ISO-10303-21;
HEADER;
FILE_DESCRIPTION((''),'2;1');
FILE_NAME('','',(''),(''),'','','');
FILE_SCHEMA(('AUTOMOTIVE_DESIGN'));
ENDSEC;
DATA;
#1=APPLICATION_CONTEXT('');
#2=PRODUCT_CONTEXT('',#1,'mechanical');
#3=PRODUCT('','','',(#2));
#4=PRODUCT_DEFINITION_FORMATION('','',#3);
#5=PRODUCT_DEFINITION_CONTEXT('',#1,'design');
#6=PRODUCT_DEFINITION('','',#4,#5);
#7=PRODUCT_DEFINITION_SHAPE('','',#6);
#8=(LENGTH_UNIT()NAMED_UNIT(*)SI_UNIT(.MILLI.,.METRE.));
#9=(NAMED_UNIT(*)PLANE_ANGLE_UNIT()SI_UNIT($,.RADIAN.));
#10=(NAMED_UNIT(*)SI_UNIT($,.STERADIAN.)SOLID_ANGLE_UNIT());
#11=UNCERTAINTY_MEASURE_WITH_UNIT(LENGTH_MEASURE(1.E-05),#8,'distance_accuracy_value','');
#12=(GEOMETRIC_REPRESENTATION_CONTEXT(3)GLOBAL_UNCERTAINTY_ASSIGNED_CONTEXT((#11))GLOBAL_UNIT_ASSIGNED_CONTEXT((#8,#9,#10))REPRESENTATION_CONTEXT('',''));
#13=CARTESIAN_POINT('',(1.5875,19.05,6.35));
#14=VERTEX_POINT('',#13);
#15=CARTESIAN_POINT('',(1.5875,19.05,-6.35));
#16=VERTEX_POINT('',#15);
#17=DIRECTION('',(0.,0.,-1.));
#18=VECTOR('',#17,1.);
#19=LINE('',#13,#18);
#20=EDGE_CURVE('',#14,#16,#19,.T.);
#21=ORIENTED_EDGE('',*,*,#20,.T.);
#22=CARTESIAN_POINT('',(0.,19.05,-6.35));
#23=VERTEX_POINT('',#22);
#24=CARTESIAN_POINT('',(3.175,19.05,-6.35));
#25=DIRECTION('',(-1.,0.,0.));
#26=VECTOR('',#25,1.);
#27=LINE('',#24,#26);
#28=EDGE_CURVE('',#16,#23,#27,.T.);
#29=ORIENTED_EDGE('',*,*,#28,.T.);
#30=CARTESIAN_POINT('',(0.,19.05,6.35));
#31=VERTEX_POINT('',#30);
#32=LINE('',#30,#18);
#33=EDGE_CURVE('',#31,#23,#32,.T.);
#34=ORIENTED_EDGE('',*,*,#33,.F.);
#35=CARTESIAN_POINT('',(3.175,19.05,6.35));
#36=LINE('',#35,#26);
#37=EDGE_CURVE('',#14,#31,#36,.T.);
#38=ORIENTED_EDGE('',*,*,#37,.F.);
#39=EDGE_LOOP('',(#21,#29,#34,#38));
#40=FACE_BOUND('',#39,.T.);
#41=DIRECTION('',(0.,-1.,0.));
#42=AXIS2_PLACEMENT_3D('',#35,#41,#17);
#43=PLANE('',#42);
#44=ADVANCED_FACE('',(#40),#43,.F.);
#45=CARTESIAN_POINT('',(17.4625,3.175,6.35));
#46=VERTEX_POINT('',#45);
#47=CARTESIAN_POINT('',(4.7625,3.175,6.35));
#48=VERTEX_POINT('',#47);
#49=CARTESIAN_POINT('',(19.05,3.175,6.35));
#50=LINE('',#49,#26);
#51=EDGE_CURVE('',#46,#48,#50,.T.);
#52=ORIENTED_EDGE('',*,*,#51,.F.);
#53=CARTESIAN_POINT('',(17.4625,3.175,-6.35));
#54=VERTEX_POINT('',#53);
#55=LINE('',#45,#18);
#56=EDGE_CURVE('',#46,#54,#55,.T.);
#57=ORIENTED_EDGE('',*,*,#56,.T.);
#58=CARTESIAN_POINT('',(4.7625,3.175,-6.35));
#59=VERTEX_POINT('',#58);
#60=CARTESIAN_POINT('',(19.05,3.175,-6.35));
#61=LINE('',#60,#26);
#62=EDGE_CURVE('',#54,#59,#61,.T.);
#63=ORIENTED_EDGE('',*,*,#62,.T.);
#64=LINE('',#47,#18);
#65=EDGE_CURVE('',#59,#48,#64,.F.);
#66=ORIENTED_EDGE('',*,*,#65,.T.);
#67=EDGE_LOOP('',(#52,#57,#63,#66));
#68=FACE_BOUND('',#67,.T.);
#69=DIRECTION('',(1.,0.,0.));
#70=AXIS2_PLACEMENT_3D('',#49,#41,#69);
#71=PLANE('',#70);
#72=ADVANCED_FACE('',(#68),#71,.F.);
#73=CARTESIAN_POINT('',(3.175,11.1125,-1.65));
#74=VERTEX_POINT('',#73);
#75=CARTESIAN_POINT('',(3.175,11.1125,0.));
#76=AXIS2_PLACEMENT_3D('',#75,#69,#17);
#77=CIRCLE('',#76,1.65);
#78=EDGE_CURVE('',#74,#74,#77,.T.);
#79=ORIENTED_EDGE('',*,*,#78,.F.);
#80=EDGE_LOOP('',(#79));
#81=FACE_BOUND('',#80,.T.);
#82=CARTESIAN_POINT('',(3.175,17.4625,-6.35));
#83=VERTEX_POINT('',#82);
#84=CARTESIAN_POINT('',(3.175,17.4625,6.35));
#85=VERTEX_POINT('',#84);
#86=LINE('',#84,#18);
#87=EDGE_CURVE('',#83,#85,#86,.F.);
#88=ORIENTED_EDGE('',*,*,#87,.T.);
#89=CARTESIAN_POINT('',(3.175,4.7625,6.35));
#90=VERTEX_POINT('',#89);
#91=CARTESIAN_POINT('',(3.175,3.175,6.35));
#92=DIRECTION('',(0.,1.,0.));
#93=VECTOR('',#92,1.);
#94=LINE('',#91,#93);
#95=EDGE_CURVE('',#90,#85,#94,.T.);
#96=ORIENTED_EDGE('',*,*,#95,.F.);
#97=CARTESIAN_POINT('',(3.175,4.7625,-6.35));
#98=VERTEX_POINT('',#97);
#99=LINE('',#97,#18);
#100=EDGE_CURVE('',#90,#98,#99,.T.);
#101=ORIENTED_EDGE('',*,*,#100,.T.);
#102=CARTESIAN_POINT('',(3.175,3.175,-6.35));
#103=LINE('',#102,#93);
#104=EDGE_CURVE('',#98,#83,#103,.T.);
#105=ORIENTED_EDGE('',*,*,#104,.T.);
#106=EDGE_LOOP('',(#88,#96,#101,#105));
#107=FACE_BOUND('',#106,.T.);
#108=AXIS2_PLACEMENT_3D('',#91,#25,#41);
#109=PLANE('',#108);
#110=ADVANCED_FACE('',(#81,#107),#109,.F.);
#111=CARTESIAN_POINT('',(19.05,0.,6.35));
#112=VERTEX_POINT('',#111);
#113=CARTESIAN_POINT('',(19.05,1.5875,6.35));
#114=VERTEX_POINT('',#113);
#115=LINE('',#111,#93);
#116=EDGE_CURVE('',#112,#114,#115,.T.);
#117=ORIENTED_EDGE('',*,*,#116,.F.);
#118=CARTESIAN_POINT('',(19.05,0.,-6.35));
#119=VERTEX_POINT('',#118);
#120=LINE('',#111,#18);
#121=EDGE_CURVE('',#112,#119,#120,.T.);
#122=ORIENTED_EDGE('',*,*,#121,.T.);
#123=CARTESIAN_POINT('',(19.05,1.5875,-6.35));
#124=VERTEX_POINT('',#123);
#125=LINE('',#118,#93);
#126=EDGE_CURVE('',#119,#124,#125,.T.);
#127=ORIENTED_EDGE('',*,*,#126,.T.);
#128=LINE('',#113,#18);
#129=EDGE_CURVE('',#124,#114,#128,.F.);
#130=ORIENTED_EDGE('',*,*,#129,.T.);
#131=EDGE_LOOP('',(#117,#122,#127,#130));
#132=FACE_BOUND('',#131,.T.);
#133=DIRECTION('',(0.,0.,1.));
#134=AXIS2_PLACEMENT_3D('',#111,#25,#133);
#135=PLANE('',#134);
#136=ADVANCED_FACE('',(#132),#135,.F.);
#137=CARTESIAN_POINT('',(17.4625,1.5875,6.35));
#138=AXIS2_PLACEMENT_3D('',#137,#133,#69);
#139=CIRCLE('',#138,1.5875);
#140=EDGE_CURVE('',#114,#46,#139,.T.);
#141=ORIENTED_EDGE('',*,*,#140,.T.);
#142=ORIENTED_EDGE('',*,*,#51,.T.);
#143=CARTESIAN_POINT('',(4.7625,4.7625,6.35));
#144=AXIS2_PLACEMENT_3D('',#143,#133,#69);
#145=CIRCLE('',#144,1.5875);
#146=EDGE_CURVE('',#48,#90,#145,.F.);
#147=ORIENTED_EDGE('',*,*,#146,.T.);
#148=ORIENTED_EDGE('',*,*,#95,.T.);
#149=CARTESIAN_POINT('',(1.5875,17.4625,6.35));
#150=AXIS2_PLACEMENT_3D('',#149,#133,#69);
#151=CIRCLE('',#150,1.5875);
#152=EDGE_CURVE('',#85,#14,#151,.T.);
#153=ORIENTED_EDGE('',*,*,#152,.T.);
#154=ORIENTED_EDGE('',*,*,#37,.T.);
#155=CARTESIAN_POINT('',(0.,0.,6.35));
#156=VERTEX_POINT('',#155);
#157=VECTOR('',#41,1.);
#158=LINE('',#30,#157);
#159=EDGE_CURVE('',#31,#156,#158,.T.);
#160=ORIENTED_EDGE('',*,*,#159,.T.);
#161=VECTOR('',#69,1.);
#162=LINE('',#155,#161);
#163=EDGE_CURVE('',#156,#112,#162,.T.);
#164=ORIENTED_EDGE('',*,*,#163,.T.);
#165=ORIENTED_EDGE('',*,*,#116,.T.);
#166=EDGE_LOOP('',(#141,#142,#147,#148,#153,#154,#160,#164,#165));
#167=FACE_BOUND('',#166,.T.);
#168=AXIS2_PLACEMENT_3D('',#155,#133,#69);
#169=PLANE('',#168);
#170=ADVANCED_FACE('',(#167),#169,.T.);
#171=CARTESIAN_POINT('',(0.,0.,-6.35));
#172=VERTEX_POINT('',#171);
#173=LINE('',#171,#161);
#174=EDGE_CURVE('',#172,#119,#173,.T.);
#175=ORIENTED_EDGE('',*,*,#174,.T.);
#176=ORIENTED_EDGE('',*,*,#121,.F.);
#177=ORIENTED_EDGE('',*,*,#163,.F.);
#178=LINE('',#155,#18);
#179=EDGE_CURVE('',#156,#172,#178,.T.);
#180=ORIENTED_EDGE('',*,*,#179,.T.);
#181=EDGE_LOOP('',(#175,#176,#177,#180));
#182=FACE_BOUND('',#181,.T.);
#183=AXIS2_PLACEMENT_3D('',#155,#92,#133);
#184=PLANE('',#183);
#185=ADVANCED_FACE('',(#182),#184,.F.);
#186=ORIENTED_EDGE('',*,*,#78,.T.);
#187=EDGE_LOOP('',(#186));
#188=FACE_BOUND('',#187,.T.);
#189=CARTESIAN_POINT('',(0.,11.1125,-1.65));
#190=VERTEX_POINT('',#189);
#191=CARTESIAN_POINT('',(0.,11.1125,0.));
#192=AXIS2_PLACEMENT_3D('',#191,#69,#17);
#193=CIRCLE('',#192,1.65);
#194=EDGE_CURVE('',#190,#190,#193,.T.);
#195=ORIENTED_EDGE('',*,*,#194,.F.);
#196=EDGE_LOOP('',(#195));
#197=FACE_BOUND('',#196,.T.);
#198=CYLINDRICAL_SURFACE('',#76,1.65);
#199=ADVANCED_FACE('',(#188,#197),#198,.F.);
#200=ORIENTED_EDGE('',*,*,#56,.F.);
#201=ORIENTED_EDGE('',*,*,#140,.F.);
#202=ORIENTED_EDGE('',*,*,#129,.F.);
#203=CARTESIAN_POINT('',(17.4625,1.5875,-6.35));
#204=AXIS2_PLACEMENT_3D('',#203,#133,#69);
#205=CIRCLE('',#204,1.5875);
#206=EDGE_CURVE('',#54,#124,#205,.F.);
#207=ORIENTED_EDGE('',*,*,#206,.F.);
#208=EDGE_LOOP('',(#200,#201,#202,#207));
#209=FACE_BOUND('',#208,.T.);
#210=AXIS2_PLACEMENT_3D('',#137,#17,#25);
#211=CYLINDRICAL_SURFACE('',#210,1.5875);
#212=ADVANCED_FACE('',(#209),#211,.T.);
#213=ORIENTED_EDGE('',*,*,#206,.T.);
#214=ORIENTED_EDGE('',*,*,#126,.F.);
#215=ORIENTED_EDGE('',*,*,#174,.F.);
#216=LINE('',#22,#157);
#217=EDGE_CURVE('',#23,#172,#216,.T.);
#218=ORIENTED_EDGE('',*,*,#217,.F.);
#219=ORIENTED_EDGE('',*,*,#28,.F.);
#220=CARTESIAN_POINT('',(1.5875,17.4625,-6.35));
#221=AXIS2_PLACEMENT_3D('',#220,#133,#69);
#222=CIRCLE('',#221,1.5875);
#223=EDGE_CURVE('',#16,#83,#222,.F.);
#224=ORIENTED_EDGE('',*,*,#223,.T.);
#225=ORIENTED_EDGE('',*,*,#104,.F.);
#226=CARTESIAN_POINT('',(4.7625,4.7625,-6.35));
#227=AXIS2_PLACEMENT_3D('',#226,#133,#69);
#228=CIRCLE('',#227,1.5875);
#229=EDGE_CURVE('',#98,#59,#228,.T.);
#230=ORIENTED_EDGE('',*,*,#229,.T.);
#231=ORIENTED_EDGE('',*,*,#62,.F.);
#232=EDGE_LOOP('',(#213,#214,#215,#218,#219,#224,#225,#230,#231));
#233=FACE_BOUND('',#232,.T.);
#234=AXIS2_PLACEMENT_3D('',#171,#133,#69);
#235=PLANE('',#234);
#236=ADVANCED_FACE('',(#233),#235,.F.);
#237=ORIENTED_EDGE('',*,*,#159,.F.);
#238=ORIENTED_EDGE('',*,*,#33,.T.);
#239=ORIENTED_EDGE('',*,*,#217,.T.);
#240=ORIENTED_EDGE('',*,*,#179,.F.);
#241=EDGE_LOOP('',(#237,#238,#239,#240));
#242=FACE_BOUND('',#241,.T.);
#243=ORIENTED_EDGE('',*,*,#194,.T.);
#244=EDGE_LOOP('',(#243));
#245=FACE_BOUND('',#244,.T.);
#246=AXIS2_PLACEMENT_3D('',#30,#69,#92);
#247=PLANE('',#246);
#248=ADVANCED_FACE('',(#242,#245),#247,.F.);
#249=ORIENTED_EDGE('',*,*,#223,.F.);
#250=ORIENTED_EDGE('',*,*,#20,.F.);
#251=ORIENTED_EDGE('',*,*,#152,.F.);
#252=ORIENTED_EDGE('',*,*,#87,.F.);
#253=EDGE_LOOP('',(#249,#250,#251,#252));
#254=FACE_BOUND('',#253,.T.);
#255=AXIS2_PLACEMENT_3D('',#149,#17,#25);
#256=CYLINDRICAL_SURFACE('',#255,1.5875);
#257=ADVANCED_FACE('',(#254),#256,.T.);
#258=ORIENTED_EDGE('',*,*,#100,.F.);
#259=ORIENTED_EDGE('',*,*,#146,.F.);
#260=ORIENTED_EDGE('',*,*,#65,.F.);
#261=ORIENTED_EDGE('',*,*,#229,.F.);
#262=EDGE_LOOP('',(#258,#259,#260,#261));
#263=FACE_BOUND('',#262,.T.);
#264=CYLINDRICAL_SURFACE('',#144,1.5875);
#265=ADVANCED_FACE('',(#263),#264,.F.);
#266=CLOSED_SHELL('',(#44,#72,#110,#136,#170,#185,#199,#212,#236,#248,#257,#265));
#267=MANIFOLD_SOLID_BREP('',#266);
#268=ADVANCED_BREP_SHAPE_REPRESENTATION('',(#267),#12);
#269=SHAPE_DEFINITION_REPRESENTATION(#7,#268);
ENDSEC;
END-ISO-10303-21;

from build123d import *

# Parameters (mm, degrees)
BOSS_EXTRUDE1_DEPTH   = 6.35
FILLET1_R             = 1.5875
M4X0_7_TAPPED_HOLE1_D = 3.3


with BuildPart() as part:
    # Sketch3 → Boss-Extrude1 (new, symmetric)
    with BuildSketch(Plane.XY):
        Polygon((3.175, 19.05), (0, 19.05), (0, 0), (19.05, 0), (19.05, 3.175), (3.175, 3.175), align=None)
    extrude(amount=BOSS_EXTRUDE1_DEPTH, both=True)

    # Fillet1
    fillet1_edges = [part.edges().sort_by_distance(p)[0] for p in [
        (3.175, 3.175, 0),
        (19.05, 3.175, 0),
        (3.175, 19.05, 0),
    ]]
    fillet(fillet1_edges, radius=FILLET1_R)

    # M4x0.7 Tapped Hole1 (through all)
    with Locations(Plane(origin=(3.175, 0, 0), x_dir=(0, 0, -1), z_dir=(1, 0, 0))):
        with Locations((0, 11.1125)):
            Hole(M4X0_7_TAPPED_HOLE1_D / 2)


solid = part.part
